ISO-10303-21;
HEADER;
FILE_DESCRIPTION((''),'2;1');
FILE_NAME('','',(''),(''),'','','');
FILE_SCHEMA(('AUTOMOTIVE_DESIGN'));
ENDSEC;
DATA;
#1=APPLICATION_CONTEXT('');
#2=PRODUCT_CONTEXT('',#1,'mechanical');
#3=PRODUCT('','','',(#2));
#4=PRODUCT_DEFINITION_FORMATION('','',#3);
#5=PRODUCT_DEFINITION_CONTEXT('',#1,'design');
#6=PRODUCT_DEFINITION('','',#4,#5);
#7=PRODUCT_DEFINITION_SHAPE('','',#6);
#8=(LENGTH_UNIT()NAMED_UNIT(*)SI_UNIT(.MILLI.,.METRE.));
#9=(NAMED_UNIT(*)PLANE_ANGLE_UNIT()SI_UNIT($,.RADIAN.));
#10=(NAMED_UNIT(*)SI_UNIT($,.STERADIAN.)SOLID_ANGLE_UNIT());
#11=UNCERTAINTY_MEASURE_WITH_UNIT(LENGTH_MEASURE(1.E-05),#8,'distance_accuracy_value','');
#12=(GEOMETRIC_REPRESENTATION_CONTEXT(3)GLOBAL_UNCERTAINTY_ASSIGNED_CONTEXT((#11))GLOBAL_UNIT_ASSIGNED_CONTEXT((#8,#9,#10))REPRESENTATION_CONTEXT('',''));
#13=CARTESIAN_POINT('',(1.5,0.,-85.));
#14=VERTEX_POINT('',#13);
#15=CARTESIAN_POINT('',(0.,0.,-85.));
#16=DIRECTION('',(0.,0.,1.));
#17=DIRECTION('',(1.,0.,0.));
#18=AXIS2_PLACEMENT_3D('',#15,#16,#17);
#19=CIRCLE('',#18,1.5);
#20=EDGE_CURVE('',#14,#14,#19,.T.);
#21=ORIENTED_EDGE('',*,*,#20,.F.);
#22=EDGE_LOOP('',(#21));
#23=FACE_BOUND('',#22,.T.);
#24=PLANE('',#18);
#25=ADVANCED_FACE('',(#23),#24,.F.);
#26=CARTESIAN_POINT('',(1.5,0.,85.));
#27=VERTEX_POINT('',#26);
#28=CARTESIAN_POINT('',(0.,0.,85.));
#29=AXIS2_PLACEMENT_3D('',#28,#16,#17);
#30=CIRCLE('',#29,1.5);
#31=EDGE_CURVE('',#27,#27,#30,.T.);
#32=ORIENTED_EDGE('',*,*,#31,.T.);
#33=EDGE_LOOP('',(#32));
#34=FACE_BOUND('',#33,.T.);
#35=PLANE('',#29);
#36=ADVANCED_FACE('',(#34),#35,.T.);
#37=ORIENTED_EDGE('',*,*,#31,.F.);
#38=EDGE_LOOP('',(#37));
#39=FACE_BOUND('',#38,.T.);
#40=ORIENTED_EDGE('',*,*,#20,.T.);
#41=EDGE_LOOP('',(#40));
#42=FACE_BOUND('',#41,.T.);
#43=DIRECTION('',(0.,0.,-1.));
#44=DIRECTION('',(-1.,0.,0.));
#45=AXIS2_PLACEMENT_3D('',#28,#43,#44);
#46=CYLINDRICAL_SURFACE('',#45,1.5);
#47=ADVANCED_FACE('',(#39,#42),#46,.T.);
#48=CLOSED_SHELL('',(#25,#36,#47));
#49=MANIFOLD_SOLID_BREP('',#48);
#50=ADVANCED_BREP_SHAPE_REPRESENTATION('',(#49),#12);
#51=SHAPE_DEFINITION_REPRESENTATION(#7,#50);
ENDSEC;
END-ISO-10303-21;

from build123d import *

# Parameters (mm, degrees)
SKETCH1_R           = 1.5
BOSS_EXTRUDE1_DEPTH = 85


with BuildPart() as part:
    # Sketch1 → Boss-Extrude1 (new body, symmetric)
    with BuildSketch(Plane.XY):
        Circle(SKETCH1_R)
    extrude(amount=BOSS_EXTRUDE1_DEPTH, both=True)


solid = part.part
